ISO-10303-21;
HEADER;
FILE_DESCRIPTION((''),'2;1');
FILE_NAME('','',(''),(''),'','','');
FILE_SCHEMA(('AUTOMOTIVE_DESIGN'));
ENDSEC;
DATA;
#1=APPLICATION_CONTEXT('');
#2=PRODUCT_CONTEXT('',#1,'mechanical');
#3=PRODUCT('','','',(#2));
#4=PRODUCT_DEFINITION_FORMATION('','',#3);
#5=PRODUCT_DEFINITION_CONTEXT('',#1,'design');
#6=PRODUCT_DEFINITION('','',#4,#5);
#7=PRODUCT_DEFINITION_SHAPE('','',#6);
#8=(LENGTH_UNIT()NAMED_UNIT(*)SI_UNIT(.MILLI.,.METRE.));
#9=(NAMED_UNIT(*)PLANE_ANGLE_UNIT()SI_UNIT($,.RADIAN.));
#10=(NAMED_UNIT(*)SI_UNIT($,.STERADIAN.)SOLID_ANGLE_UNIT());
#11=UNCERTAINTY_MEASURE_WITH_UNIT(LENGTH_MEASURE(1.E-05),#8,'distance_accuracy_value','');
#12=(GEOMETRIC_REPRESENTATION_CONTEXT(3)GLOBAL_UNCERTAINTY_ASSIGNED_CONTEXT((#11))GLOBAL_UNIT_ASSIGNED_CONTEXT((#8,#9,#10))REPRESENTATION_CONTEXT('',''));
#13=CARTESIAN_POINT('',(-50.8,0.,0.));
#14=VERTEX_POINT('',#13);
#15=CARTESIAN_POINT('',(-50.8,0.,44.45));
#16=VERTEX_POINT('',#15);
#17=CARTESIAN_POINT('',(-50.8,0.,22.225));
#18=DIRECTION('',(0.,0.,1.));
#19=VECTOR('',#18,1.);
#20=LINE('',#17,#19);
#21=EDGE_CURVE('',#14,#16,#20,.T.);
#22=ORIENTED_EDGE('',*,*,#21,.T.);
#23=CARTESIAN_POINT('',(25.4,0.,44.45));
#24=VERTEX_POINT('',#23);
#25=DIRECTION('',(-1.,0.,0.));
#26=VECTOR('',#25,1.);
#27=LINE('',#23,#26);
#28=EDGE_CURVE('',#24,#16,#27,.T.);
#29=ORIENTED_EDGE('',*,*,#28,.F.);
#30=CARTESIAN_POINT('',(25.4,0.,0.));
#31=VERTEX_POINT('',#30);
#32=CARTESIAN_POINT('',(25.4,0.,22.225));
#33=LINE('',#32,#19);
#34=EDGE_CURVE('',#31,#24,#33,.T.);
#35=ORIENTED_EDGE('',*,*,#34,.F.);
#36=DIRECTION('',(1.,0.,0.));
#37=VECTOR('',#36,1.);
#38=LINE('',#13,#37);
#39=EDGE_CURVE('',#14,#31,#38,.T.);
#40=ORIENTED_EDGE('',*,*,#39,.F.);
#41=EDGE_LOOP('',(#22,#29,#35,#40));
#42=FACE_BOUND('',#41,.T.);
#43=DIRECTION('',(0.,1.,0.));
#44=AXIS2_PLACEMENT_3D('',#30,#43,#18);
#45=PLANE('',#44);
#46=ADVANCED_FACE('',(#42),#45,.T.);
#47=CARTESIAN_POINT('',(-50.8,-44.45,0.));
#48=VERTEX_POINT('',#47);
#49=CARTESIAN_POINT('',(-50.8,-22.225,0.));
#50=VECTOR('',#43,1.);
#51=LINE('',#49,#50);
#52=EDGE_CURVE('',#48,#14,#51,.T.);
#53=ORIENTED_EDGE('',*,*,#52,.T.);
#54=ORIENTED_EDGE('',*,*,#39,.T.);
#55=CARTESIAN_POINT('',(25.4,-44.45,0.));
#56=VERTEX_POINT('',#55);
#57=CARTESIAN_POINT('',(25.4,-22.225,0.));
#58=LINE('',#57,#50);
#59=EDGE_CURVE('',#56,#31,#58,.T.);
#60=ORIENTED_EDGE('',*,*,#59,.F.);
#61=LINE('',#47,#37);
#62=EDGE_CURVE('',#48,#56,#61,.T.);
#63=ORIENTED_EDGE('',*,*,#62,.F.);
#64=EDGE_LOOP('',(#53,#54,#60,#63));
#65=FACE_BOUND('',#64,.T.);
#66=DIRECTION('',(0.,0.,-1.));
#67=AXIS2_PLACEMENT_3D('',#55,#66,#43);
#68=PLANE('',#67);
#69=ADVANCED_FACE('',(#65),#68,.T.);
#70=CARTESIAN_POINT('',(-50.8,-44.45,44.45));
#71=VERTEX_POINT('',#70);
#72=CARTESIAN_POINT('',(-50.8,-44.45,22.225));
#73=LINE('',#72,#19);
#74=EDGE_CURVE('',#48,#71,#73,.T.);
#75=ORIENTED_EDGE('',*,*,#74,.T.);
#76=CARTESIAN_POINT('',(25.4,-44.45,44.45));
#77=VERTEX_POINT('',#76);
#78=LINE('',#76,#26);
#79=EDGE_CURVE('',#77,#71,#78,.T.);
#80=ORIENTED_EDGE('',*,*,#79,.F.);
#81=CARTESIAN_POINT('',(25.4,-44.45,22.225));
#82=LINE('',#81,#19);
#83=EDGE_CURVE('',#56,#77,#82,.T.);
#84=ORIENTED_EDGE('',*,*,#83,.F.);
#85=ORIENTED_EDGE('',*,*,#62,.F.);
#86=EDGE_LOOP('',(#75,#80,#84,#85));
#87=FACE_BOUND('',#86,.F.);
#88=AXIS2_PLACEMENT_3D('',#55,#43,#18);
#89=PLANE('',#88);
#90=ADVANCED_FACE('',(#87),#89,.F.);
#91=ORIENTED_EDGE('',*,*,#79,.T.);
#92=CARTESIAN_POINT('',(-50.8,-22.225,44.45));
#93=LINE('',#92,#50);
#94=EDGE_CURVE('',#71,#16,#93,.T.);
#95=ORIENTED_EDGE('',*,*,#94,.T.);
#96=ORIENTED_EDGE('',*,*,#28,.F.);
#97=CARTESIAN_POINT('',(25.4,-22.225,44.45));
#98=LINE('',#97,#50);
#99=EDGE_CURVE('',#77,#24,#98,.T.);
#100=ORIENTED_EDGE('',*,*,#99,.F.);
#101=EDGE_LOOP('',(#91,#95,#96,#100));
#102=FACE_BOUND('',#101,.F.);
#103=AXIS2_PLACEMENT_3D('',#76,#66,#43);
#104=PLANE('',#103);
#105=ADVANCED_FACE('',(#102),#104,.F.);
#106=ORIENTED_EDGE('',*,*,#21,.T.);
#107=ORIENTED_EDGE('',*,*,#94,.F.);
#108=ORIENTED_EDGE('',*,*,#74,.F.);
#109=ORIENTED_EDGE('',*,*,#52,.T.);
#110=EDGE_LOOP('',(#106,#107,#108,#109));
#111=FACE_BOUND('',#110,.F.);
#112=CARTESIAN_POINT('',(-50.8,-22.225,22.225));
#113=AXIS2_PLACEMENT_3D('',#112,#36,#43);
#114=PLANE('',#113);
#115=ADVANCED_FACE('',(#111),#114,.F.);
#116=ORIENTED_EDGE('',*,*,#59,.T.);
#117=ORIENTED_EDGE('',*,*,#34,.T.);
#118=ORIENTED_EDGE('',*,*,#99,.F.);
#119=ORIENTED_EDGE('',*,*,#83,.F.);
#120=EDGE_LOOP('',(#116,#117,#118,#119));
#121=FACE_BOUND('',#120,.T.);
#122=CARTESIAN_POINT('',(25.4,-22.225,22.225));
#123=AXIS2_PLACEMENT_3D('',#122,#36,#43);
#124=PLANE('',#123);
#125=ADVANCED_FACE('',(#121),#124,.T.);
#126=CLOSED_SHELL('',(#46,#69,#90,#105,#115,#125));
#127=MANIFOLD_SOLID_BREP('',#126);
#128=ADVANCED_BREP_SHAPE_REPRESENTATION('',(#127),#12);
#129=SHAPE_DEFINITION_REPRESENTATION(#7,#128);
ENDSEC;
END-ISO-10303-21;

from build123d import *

# Parameters (mm, degrees)
F0_W      = 44.45
F0_H      = 44.45
F1_DEPTH  = 25.4
F2_DEPTH  = 25.4
F1_FACE_W = 44.45
F1_FACE_H = 44.45
F3_DEPTH  = 76.2


with BuildPart() as f1:
    # F0 (on Right) → F1 (new body)
    with BuildSketch(Plane.YZ):
        with Locations((-22.225, 22.225)):
            Rectangle(F0_W, F0_H)
    extrude(amount=F1_DEPTH)

    # F0 (on Right) → F2 (join)
    with BuildSketch(Plane.YZ):
        with Locations((-22.225, 22.225)):
            Rectangle(F0_W, F0_H)
    extrude(amount=F2_DEPTH)

    # F1_face (on face) → F3 (join)
    with BuildSketch(Plane(origin=(25.4, -22.225, 22.225), x_dir=(0, 1, 0), z_dir=(1, 0, 0))):
        Rectangle(F1_FACE_W, F1_FACE_H)
    extrude(amount=-F3_DEPTH)


solid = f1.part
